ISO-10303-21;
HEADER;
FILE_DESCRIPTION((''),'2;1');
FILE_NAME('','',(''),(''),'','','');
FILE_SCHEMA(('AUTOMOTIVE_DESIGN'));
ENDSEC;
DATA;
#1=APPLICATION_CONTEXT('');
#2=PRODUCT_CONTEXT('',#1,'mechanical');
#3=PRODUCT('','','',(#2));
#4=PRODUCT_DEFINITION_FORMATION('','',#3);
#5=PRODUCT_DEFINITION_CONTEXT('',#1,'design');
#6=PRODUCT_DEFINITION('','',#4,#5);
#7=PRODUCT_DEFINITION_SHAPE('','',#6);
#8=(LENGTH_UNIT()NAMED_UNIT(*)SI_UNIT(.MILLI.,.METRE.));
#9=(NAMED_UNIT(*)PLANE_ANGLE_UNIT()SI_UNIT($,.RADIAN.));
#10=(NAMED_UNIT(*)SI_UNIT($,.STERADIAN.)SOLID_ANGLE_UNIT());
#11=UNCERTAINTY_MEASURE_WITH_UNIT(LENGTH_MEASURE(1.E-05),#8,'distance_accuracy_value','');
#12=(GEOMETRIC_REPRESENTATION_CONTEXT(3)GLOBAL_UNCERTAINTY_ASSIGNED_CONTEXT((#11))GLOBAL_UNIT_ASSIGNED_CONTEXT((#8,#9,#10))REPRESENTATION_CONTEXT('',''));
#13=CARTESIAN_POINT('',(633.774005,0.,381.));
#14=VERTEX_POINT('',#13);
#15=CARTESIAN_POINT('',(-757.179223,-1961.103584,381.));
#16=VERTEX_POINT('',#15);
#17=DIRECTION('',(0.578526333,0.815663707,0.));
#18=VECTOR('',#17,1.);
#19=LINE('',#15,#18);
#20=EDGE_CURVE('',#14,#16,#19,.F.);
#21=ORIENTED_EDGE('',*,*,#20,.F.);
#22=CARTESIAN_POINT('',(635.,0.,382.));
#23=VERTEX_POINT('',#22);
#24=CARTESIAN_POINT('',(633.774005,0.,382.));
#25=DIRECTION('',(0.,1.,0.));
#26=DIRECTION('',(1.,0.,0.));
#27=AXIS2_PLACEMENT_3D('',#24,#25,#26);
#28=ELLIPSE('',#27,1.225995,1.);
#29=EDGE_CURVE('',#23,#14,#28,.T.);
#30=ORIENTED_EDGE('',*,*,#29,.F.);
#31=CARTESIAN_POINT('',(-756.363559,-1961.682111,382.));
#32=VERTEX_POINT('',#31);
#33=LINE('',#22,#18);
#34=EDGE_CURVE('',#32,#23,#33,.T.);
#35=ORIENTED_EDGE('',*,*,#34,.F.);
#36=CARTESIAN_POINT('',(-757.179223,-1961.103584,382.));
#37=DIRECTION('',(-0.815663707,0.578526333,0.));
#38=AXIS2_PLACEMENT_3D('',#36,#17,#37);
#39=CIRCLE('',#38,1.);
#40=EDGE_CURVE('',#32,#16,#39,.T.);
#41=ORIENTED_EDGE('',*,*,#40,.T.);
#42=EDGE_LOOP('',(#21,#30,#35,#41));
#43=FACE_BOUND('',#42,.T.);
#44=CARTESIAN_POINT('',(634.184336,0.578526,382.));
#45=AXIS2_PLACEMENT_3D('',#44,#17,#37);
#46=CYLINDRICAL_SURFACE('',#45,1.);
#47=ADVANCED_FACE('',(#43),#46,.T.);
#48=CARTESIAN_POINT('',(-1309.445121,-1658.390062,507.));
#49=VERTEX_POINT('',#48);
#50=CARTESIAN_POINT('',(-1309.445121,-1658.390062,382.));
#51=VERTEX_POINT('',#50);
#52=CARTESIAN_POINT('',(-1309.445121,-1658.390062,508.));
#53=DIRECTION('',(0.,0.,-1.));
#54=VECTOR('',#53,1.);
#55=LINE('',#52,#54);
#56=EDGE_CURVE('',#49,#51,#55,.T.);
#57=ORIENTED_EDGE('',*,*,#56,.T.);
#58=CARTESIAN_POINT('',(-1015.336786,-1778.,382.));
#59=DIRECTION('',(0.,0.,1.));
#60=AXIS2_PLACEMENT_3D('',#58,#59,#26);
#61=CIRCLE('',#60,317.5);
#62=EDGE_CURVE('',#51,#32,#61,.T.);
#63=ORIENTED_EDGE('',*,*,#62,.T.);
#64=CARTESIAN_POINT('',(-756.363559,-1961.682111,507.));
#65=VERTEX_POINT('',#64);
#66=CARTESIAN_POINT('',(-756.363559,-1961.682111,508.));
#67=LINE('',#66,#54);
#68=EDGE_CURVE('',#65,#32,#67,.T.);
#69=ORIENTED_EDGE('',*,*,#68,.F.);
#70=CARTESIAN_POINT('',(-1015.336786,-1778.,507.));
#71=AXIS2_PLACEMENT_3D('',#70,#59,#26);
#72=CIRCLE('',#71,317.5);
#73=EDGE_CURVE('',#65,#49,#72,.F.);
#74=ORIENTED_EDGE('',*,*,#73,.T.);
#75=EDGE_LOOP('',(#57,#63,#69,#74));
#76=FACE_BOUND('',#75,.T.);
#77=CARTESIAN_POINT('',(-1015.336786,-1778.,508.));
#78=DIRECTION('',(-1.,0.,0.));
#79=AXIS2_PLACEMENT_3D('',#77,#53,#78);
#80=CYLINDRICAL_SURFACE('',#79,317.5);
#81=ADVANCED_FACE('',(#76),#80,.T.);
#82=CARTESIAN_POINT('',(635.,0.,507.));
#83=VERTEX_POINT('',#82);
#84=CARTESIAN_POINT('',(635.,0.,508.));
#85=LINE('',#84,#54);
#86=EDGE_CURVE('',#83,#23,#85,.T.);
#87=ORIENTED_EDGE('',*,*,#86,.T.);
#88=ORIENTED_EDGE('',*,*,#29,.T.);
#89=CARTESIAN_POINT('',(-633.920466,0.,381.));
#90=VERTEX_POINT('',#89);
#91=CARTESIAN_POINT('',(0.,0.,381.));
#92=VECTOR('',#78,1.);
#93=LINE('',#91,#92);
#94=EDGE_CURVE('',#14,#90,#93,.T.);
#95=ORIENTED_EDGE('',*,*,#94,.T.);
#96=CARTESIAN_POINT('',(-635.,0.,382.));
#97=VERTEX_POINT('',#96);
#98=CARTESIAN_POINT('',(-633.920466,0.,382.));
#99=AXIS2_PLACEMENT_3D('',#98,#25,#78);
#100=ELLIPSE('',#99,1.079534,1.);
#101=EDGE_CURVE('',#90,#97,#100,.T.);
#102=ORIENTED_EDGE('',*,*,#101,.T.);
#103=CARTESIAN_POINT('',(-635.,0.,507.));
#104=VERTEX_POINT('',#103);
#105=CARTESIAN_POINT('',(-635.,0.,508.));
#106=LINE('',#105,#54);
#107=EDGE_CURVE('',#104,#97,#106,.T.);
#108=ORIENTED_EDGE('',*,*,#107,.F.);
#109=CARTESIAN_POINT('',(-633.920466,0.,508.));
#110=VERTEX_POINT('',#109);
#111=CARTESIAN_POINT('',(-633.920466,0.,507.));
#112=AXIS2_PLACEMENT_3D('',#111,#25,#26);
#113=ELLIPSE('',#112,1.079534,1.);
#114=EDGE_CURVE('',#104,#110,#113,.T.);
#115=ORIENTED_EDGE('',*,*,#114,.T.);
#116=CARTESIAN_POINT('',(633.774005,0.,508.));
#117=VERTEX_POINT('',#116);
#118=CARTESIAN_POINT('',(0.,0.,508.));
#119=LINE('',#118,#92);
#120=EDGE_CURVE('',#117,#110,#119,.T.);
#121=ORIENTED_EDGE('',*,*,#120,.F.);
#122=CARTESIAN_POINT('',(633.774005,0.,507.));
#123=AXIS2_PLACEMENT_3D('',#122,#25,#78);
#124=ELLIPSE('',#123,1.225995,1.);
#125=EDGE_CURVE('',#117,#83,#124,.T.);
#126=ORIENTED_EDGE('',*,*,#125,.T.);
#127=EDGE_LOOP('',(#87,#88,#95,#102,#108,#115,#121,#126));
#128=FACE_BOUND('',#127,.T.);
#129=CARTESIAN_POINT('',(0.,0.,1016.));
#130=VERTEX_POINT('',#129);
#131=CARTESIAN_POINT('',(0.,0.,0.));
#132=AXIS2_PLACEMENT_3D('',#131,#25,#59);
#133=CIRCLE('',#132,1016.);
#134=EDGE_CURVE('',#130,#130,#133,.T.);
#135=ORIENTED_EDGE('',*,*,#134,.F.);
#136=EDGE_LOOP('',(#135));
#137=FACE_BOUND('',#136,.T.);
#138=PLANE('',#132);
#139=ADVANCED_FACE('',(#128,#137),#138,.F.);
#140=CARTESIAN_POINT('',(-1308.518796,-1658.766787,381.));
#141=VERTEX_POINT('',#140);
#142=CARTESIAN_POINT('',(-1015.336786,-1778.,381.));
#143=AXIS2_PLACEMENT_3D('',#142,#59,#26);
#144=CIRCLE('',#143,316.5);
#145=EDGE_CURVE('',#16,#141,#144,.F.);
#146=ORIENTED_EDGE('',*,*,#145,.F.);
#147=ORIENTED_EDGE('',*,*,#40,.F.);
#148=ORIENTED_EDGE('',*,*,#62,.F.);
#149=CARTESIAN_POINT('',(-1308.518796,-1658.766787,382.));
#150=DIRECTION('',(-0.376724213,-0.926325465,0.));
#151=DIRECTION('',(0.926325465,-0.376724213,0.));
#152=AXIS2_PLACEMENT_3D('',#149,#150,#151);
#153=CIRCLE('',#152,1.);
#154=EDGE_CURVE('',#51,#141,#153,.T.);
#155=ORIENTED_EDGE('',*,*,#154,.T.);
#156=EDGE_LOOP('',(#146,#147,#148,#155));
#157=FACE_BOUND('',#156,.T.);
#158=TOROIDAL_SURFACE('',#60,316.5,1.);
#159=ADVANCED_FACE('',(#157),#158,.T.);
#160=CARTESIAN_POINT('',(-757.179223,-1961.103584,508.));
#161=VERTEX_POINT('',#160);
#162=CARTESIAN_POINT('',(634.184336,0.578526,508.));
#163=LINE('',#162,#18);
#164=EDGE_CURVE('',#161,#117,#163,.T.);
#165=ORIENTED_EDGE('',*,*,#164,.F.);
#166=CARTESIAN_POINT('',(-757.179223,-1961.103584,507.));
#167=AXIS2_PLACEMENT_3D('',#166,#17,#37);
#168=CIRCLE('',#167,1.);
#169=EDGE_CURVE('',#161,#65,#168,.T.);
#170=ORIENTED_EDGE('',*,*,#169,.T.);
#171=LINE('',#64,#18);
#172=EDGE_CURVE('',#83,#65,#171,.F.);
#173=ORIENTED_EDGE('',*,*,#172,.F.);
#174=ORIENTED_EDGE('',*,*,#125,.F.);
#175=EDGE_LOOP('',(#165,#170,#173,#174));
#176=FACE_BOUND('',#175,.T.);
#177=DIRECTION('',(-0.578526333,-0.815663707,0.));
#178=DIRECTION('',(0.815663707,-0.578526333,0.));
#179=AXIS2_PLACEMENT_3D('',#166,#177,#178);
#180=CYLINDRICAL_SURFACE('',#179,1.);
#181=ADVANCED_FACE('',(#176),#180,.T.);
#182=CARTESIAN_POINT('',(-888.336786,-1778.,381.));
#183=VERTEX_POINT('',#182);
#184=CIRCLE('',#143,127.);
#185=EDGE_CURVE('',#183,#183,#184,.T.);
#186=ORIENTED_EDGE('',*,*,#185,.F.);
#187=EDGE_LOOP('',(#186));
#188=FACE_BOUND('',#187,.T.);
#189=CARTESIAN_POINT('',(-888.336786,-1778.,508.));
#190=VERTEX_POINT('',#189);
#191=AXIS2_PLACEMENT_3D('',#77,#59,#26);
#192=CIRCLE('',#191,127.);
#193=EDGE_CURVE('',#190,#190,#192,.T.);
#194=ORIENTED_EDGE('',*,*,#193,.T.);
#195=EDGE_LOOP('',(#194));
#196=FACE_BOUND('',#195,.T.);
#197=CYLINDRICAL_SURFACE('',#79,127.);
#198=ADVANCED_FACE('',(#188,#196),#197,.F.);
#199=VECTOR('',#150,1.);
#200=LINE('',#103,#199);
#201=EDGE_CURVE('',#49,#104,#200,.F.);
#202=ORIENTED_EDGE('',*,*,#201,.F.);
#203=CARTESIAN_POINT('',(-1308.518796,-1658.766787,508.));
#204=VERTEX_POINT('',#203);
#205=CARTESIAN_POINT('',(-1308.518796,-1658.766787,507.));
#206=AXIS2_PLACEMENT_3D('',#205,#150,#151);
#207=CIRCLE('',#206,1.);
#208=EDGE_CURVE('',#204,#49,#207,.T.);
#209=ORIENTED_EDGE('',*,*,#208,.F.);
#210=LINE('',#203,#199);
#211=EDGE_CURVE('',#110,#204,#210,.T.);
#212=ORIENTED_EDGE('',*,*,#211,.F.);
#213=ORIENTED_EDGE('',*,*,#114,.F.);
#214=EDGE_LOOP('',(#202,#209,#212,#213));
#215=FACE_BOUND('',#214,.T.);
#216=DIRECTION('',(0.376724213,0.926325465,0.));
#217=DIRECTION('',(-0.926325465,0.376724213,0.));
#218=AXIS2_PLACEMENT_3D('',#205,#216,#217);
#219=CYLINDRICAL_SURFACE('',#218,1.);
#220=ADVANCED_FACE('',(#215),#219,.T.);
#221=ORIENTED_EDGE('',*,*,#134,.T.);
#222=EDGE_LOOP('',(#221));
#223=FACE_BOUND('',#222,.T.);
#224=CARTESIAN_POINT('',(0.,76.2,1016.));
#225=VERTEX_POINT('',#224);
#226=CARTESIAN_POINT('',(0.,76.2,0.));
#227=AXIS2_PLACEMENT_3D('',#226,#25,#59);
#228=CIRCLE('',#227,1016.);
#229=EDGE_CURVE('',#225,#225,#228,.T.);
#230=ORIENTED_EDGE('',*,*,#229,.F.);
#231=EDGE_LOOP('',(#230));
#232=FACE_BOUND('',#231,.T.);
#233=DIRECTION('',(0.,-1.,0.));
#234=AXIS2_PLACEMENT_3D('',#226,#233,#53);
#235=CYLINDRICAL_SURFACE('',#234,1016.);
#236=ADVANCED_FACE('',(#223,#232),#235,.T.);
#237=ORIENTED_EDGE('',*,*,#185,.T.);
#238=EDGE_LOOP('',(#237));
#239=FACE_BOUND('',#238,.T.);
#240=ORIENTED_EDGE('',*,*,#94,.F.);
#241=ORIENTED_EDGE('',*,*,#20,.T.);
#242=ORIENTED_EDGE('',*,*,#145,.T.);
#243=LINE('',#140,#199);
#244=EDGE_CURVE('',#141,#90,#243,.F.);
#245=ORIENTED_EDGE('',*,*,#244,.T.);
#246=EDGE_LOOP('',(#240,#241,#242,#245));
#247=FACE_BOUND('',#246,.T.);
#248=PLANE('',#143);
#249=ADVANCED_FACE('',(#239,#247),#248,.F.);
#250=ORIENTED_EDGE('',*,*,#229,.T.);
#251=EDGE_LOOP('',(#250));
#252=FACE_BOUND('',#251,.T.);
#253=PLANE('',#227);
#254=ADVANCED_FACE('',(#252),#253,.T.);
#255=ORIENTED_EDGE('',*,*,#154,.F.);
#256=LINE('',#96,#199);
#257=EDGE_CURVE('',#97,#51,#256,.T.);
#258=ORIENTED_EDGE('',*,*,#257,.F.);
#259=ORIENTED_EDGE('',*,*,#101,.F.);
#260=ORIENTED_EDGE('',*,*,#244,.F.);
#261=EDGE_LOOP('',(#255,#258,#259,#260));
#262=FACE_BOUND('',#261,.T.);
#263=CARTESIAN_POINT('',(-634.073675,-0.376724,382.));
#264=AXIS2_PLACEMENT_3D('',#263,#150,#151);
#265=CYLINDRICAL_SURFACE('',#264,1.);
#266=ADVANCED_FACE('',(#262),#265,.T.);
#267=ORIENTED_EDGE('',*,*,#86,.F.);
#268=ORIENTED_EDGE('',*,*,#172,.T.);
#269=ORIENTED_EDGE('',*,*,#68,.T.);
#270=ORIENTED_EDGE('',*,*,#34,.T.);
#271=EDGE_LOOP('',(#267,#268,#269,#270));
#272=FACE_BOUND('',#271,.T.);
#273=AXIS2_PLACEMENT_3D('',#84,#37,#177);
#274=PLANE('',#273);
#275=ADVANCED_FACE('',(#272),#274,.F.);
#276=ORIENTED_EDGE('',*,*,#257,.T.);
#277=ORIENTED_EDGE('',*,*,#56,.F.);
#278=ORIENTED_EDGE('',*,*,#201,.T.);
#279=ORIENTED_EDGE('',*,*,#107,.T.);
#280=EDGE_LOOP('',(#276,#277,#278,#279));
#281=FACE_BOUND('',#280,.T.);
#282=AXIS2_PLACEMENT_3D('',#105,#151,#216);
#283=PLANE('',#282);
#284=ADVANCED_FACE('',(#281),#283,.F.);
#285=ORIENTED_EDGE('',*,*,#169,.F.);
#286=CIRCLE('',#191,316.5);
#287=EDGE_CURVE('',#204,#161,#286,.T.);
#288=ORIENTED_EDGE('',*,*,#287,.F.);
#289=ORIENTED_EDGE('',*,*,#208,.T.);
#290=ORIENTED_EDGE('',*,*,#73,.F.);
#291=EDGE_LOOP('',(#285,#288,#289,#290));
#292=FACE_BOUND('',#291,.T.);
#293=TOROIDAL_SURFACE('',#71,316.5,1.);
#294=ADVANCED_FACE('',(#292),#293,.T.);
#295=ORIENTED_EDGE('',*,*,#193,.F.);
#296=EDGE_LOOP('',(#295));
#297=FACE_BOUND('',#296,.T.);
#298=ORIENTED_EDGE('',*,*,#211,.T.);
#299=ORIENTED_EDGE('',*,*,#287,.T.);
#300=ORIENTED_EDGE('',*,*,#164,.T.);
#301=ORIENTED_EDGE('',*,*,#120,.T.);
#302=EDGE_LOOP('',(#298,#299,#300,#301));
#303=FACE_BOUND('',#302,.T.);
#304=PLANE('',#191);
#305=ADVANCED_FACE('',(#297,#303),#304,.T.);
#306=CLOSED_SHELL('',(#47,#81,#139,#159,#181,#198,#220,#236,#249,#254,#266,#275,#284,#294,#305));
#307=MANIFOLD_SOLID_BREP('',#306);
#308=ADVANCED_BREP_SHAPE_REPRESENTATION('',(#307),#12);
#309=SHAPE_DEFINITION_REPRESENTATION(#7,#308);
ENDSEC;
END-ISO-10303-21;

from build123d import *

# Parameters (mm, degrees)
SKETCH1_R           = 1016
BOSS_EXTRUDE1_DEPTH = 76.2
SKETCH2_R           = 127
BOSS_EXTRUDE3_DEPTH = 127
FILLET1_R           = 1


with BuildPart() as part:
    # Sketch1 → Boss-Extrude1 (new body)
    with BuildSketch(Plane(origin=(0, 0, 0), x_dir=(1, 0, 0), z_dir=(0, 1, 0))):
        Circle(SKETCH1_R)
    extrude(amount=BOSS_EXTRUDE1_DEPTH)

    # Sketch2 → Boss-Extrude3 (add)
    with BuildSketch(Plane.XY.offset(381)):
        with BuildLine():
            Line((0, 0), (635, 0))
            Line((635, 0), (-756.363558902, -1961.682110671))
            ThreePointArc((-756.363558902, -1961.682110671), (-1167.996982196, -2056.390219688), (-1309.445120969, -1658.390062497))
            Line((-1309.445120969, -1658.390062497), (-635, 0))
            Line((-635, 0), (0, 0))
        make_face()
        with Locations((-1015.336785741, -1778)):
            Circle(SKETCH2_R, mode=Mode.SUBTRACT)
    extrude(amount=BOSS_EXTRUDE3_DEPTH)

    # Fillet1
    fillet1_edges = [part.edges().sort_by_distance(p)[0] for p in [
        (-972.222560484, -829.195031249, 508),
        (-1167.996982196, -2056.390219688, 508),
        (-60.681779451, -980.841055336, 508),
        (-972.222560484, -829.195031249, 381),
        (-1167.996982196, -2056.390219688, 381),
        (-60.681779451, -980.841055336, 381),
    ]]
    fillet(fillet1_edges, radius=FILLET1_R)


solid = part.part
